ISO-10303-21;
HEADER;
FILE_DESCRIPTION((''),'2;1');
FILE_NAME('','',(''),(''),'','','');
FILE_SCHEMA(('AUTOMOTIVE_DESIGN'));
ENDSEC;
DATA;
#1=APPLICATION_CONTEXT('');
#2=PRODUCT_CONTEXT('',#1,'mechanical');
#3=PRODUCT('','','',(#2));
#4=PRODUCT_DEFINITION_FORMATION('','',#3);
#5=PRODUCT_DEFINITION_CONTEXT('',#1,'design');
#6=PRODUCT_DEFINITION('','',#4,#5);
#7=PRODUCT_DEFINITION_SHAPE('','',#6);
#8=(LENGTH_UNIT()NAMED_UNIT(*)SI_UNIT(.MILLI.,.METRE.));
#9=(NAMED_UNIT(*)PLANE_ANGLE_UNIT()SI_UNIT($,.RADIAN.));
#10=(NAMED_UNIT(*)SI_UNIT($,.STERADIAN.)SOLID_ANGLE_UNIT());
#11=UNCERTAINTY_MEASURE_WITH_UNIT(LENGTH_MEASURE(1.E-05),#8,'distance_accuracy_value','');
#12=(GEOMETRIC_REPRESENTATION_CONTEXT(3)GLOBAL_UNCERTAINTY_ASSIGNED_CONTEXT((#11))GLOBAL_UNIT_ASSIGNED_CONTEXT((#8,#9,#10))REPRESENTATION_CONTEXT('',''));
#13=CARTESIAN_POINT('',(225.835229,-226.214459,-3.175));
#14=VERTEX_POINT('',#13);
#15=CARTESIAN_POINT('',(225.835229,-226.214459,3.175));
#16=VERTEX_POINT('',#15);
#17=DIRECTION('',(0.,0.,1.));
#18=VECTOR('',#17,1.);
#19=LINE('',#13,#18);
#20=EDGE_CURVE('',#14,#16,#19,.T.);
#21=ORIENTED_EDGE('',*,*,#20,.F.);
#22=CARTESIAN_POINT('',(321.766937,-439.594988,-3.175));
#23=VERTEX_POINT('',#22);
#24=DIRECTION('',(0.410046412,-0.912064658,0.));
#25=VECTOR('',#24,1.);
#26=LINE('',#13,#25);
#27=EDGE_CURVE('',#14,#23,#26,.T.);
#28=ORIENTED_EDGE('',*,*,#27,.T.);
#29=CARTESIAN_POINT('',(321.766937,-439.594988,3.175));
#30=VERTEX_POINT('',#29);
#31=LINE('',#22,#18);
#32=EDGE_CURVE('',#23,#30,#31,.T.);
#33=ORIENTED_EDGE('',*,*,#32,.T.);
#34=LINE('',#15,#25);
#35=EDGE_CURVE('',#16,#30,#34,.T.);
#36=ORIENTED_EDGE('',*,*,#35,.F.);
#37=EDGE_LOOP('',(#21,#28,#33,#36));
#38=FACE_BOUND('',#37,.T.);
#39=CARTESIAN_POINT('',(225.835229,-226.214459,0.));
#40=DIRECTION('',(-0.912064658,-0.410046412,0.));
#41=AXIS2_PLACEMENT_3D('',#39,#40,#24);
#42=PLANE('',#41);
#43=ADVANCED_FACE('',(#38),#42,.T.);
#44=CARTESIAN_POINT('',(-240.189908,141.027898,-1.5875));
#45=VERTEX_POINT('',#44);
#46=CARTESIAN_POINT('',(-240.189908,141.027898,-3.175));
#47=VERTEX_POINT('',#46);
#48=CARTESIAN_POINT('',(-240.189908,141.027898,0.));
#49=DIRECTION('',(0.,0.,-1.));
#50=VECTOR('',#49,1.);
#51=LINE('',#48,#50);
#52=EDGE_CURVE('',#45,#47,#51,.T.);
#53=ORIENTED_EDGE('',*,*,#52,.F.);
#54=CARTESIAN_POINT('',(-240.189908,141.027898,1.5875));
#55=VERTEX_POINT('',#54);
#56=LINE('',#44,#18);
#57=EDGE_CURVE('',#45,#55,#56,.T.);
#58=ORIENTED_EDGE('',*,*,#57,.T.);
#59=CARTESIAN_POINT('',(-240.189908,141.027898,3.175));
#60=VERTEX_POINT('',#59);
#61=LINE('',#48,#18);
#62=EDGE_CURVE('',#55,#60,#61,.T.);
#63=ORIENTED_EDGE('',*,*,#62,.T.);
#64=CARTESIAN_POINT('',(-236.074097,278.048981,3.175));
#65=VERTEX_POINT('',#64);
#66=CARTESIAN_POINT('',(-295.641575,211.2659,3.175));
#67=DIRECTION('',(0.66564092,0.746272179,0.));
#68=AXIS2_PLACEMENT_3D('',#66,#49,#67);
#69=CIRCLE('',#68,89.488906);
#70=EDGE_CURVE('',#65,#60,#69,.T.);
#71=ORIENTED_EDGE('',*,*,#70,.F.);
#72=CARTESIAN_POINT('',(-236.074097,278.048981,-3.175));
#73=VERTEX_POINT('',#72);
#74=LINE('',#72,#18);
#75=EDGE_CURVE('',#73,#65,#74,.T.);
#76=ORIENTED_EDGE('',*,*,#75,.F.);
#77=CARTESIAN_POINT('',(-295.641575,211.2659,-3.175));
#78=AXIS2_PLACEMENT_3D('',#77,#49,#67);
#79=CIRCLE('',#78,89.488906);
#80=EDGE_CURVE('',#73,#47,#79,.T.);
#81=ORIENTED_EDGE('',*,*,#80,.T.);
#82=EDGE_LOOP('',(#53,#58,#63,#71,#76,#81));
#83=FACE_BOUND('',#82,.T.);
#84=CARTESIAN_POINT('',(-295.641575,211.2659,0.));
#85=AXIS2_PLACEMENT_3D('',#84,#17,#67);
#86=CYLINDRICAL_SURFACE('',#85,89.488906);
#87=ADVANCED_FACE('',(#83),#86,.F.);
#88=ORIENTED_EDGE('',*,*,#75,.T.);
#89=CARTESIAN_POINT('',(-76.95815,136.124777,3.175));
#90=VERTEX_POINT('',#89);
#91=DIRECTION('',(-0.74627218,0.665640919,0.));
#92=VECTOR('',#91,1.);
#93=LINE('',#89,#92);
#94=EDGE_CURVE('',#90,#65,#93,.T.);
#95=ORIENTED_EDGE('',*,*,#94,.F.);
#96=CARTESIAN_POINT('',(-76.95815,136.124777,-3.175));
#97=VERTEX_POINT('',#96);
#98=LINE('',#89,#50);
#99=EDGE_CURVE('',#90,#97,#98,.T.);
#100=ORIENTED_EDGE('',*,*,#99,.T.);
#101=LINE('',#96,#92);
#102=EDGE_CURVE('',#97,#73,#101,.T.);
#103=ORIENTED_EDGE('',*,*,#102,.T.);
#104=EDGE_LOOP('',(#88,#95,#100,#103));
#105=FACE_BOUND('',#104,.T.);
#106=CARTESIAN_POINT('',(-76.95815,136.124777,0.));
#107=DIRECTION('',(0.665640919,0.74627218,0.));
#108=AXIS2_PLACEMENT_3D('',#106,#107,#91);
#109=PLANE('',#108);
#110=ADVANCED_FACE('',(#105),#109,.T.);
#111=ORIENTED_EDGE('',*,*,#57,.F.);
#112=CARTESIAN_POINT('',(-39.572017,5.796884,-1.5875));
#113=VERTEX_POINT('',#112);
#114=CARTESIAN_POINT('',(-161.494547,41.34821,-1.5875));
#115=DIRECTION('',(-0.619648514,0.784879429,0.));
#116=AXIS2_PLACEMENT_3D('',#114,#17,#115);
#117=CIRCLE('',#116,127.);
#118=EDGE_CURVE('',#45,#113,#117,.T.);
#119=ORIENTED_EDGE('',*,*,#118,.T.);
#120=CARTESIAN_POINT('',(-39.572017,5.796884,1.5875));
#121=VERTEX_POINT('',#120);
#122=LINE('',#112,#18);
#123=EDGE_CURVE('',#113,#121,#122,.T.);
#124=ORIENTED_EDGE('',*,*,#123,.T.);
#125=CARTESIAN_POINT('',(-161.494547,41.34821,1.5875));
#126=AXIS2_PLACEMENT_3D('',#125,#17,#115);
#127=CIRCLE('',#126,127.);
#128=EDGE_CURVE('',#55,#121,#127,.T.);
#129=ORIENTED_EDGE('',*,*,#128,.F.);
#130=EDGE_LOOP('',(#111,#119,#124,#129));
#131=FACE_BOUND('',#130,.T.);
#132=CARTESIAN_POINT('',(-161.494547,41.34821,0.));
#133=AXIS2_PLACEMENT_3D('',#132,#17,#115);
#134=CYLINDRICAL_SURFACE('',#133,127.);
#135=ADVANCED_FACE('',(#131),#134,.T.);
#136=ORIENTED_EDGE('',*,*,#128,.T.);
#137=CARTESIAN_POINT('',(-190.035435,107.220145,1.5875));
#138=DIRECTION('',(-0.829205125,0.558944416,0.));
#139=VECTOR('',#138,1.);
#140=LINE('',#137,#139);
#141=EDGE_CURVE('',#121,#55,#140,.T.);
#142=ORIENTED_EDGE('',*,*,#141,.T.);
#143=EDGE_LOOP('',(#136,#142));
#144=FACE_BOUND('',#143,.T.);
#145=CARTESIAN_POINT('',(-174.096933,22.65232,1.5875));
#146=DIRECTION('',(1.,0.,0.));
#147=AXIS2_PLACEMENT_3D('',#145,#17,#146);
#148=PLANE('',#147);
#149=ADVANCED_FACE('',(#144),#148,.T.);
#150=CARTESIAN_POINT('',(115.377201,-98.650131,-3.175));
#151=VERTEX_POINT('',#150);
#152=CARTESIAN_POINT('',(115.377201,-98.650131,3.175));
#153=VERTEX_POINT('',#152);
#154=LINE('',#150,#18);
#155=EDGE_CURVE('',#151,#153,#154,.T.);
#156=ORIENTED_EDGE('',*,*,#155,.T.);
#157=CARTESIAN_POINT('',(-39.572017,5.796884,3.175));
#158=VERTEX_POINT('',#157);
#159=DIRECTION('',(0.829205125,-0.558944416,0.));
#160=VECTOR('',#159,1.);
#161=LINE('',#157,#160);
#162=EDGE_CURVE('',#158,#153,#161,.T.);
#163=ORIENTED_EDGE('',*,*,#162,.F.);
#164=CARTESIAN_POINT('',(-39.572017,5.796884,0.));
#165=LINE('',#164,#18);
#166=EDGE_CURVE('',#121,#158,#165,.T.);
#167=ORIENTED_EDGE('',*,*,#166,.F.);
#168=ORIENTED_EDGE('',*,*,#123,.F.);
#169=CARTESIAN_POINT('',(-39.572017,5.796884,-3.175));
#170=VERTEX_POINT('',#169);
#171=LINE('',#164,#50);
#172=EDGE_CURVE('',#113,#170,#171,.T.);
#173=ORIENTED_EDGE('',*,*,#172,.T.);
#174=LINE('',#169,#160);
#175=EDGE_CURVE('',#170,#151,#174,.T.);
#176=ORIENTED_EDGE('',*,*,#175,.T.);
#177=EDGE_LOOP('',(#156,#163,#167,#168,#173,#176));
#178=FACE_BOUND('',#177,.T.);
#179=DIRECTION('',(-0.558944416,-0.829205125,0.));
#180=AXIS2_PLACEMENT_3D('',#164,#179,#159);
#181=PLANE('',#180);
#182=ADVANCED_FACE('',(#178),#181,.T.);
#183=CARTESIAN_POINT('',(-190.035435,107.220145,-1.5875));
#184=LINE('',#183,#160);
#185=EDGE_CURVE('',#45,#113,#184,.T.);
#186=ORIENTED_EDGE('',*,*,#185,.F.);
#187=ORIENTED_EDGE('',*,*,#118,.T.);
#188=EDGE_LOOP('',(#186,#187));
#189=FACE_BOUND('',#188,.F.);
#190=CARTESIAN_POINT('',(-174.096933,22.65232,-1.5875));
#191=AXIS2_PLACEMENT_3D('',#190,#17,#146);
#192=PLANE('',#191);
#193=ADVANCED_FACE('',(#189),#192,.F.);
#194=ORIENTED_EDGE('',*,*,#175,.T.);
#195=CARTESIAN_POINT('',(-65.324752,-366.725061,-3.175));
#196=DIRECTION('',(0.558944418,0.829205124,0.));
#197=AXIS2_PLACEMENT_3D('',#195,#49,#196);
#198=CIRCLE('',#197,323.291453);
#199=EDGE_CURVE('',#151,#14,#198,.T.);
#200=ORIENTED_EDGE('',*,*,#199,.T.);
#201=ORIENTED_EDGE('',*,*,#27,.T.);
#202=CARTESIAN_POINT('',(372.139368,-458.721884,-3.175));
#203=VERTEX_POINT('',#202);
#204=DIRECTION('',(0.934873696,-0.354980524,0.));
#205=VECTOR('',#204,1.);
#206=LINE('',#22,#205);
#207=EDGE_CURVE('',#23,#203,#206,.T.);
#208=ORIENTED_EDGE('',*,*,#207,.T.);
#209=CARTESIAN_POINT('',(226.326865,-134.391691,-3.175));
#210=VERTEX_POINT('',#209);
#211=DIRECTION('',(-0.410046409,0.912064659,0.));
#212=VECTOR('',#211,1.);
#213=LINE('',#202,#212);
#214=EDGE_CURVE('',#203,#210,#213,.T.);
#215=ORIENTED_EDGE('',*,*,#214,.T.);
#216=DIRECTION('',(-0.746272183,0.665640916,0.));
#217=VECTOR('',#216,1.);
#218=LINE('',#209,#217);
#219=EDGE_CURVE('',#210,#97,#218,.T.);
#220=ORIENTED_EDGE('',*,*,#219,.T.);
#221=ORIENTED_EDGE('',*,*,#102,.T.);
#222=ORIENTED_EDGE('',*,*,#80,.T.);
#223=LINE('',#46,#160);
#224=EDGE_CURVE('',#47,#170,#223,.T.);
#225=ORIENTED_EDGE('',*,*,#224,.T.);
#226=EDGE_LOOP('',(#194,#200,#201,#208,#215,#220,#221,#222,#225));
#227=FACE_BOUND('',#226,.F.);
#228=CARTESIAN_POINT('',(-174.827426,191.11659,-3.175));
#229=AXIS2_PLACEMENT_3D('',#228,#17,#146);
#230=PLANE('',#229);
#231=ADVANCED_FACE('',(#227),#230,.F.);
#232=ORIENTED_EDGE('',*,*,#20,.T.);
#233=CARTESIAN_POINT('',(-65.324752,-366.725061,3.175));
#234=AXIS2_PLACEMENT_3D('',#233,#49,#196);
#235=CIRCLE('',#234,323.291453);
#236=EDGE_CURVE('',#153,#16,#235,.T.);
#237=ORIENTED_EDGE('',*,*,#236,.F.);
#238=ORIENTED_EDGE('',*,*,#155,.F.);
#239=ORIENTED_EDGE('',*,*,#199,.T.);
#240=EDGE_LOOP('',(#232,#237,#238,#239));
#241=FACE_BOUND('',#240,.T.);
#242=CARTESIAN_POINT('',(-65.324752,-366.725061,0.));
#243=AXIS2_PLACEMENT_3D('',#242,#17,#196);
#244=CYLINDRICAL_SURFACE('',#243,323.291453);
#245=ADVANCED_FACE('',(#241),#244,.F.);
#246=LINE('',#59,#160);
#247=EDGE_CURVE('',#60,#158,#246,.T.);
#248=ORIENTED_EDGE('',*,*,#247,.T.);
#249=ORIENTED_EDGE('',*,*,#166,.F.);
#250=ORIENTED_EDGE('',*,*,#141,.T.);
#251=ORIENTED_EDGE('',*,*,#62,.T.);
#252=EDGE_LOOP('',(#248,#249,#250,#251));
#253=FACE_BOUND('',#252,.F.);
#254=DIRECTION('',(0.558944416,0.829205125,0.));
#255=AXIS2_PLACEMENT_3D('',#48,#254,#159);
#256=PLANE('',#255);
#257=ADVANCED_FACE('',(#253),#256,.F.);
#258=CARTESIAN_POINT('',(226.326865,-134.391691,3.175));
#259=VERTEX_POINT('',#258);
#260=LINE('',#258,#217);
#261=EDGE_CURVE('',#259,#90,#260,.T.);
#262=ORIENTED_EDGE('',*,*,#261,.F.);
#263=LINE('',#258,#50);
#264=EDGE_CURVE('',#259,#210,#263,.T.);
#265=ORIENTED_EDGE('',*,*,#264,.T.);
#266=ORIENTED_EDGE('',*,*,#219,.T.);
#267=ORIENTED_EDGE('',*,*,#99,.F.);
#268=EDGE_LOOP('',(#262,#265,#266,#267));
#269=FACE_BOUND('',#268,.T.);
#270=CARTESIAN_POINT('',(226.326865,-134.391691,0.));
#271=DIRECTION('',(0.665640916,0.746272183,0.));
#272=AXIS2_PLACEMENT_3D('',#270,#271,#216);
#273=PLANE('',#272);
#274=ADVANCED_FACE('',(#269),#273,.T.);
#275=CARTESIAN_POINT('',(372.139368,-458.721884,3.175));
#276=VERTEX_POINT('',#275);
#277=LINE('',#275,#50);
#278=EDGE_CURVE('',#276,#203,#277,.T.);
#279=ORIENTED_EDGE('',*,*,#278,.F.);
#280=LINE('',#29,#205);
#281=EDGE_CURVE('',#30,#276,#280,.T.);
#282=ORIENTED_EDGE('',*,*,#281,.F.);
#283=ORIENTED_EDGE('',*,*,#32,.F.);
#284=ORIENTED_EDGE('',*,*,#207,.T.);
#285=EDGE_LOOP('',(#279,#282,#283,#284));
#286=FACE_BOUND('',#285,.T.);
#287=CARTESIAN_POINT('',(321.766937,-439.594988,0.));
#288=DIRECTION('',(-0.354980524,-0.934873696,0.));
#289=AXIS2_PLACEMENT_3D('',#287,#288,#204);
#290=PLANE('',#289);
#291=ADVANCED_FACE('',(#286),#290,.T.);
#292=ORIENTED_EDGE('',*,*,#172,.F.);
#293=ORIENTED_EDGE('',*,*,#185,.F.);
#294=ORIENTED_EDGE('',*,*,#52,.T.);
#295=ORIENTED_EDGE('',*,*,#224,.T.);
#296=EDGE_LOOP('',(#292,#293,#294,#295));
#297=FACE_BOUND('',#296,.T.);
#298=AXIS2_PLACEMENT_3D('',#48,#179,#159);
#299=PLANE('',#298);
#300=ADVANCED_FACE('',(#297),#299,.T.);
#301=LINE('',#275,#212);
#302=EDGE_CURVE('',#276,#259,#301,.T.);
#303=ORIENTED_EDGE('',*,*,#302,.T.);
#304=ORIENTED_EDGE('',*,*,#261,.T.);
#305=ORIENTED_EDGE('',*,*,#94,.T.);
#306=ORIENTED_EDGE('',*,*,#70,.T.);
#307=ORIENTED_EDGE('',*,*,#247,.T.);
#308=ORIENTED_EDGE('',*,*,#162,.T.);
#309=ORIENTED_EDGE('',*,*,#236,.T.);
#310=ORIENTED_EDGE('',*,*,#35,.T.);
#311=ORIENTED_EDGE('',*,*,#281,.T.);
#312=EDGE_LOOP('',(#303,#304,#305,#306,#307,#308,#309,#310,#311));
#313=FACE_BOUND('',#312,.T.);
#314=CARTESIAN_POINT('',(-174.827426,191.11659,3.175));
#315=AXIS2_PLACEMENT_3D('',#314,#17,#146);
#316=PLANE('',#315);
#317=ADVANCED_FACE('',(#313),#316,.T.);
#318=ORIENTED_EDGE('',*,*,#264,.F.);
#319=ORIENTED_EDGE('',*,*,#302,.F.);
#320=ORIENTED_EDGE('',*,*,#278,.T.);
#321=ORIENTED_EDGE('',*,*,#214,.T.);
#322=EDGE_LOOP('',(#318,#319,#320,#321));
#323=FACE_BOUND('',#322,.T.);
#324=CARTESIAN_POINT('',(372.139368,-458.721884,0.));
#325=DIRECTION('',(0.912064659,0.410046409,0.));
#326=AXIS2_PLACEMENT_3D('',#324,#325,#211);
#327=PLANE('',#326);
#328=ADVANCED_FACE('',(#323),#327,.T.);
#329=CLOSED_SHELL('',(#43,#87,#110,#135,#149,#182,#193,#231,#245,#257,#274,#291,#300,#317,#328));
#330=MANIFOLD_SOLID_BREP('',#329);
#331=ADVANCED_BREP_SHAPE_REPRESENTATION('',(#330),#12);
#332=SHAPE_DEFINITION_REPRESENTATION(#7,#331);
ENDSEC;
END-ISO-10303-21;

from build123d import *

# Parameters (mm, degrees)
F1_DEPTH      = 1.5875
F1_DEPTH_BACK = 1.5875
F2_DEPTH      = 3.175
F2_DEPTH_BACK = 3.175


with BuildPart() as f1:
    # F0 (on Top) → F1 (new body, two sides)
    with BuildSketch(Plane.XY) as f1_sk:
        with BuildLine():
            ThreePointArc((-240.189908, 141.027898), (-232.480487, -63.960841), (-39.572017, 5.796884))
            Line((-39.572017, 5.796884), (-240.189908, 141.027898))
        make_face()
        with BuildLine():
            ThreePointArc((-39.572017, 5.796884), (-35.770322, 23.39217), (-34.494547, 41.34821))
            ThreePointArc((-34.494547, 41.34821), (-45.59562, 93.275456), (-76.95815, 136.124777))
            ThreePointArc((-76.95815, 136.124777), (-157.681468, 168.290955), (-240.189908, 141.027898))
            Line((-240.189908, 141.027898), (-39.572017, 5.796884))
        make_face()
    extrude(amount=F1_DEPTH)
    extrude(f1_sk.sketch, amount=-F1_DEPTH_BACK)

    # F0 (on Top) → F2 (join, two sides)
    with BuildSketch(Plane.XY) as f2_sk:
        with BuildLine():
            ThreePointArc((-240.189908, 141.027898), (-157.681468, 168.290955), (-76.95815, 136.124777))
            Line((-76.95815, 136.124777), (-236.074097, 278.048981))
            ThreePointArc((-236.074097, 278.048981), (-206.193013, 208.579063), (-240.189908, 141.027898))
        make_face()
        with BuildLine():
            ThreePointArc((-76.95815, 136.124777), (-45.59562, 93.275456), (-34.494547, 41.34821))
            ThreePointArc((-34.494547, 41.34821), (-35.770322, 23.39217), (-39.572017, 5.796884))
            Line((-39.572017, 5.796884), (115.377201, -98.650131))
            ThreePointArc((115.377201, -98.650131), (179.07571, -155.098555), (225.835229, -226.214459))
            Line((225.835229, -226.214459), (321.766937, -439.594988))
            Line((321.766937, -439.594988), (372.139368, -458.721884))
            Line((372.139368, -458.721884), (226.326865, -134.391691))
            Line((226.326865, -134.391691), (-76.95815, 136.124777))
        make_face()
        with BuildLine():
            ThreePointArc((-39.572017, 5.796884), (-35.770322, 23.39217), (-34.494547, 41.34821))
            ThreePointArc((-34.494547, 41.34821), (-45.59562, 93.275456), (-76.95815, 136.124777))
            ThreePointArc((-76.95815, 136.124777), (-157.681468, 168.290955), (-240.189908, 141.027898))
            Line((-240.189908, 141.027898), (-39.572017, 5.796884))
        make_face()
    extrude(amount=F2_DEPTH)
    extrude(f2_sk.sketch, amount=-F2_DEPTH_BACK)


solid = f1.part
